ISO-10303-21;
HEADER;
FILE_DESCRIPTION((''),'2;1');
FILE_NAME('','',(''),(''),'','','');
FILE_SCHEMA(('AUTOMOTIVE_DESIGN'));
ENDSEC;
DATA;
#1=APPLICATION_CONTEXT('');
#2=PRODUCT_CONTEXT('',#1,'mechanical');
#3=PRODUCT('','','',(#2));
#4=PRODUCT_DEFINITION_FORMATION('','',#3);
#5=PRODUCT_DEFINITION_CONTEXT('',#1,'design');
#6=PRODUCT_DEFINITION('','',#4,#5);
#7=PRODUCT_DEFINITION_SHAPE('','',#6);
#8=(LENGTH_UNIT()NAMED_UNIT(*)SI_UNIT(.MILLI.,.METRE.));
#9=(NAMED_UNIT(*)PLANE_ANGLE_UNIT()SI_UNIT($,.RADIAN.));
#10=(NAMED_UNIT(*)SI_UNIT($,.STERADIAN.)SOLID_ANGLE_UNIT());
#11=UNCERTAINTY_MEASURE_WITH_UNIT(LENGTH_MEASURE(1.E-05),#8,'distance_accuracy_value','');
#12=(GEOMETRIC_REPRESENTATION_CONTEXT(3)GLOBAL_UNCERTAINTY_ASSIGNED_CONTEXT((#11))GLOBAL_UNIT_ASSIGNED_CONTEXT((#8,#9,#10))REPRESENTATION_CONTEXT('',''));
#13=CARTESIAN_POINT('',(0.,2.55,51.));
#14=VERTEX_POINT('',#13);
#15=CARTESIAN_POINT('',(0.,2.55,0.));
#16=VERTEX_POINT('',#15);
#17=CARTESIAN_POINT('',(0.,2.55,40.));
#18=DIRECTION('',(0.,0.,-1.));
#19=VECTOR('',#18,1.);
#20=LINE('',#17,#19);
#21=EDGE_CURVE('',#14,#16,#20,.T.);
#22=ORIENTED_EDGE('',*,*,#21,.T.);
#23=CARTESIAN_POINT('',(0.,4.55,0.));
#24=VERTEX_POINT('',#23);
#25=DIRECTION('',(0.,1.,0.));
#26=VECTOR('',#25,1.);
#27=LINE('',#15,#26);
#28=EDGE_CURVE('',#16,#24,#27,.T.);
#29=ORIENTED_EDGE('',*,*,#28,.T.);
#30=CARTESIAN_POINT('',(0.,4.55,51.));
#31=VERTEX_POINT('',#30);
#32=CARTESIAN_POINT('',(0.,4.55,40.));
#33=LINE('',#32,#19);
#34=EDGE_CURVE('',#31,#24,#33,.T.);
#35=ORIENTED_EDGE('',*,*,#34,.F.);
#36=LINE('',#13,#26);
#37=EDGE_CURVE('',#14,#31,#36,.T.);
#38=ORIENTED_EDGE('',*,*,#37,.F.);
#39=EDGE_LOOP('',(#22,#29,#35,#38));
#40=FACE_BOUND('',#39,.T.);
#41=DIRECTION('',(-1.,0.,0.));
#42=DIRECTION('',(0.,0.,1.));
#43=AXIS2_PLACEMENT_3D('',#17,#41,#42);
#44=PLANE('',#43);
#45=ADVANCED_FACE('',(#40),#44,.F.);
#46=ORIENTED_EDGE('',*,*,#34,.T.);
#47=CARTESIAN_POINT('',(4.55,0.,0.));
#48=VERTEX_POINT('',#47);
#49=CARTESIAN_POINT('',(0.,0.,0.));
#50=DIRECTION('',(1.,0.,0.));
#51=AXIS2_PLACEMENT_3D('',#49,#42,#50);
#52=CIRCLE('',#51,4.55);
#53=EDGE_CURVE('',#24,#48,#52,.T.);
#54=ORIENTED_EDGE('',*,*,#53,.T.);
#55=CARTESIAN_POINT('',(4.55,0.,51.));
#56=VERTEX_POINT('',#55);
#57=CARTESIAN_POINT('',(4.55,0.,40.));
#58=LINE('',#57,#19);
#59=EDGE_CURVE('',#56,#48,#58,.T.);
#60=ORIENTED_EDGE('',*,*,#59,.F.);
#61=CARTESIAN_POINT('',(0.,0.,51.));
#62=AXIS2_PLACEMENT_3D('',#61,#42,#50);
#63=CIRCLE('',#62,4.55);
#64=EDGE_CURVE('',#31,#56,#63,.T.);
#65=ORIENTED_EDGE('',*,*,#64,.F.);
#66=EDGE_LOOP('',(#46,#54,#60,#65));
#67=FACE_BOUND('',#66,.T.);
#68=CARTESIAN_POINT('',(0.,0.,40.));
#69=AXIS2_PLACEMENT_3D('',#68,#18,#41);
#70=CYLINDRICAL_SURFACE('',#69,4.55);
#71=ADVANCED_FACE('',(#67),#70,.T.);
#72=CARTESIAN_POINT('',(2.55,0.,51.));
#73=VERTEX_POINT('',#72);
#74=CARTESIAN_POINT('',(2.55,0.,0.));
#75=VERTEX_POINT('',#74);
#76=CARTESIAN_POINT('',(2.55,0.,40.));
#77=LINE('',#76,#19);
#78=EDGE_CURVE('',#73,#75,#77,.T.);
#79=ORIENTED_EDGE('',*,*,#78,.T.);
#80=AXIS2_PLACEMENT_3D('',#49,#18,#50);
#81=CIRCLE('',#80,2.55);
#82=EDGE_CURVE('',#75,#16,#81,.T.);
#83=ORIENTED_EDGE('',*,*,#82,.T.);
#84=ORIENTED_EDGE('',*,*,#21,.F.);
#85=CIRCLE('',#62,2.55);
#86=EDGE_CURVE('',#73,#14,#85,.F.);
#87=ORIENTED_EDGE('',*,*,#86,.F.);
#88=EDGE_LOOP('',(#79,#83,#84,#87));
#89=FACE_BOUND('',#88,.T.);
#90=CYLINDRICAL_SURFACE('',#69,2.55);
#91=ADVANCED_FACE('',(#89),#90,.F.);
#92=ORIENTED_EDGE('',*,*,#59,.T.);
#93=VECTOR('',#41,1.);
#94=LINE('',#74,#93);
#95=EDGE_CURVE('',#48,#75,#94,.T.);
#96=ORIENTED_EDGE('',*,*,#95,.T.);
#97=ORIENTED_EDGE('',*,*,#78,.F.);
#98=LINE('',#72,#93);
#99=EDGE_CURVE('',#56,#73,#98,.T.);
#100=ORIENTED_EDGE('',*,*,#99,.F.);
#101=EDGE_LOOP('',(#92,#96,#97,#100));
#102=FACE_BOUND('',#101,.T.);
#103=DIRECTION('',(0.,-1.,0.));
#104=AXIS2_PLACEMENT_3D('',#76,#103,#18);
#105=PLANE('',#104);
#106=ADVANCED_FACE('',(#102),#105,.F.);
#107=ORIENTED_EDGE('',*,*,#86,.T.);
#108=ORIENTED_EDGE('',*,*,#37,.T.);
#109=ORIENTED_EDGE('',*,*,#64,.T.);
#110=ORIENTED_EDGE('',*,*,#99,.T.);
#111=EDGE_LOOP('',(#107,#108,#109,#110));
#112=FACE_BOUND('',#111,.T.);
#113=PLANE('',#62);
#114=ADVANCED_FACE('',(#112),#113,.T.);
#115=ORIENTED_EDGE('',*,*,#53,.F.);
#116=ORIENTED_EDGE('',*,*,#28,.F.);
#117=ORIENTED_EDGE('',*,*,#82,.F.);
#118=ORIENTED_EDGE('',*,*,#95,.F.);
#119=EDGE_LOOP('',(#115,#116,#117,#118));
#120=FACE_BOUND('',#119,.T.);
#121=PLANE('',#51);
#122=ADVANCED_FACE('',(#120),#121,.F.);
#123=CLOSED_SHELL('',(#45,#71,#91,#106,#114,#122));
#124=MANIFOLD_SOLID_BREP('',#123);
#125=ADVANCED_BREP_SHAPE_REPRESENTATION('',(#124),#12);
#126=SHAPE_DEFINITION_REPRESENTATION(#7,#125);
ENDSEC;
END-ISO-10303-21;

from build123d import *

# Parameters (mm, degrees)
BOSS_EXTRUDE1_DEPTH = 40
MOVE_FACE1_BY       = 11


with BuildPart() as part:
    # Sketch1 → Boss-Extrude1 (new body)
    with BuildSketch(Plane.XY):
        with BuildLine():
            Line((0, 2.55), (0, 4.55))
            ThreePointArc((0, 4.55), (-3.217335854, -3.217335854), (4.55, 0))
            Line((4.55, 0), (2.55, 0))
            ThreePointArc((2.55, 0), (-1.803122292, -1.803122292), (0, 2.55))
        make_face()
    extrude(amount=BOSS_EXTRUDE1_DEPTH)

    # Move Face1: a face moved outward by 11.0
    extrude(part.faces().sort_by_distance((0, -3.64, 40))[0], amount=MOVE_FACE1_BY, dir=(0, 0, 1))


solid = part.part
